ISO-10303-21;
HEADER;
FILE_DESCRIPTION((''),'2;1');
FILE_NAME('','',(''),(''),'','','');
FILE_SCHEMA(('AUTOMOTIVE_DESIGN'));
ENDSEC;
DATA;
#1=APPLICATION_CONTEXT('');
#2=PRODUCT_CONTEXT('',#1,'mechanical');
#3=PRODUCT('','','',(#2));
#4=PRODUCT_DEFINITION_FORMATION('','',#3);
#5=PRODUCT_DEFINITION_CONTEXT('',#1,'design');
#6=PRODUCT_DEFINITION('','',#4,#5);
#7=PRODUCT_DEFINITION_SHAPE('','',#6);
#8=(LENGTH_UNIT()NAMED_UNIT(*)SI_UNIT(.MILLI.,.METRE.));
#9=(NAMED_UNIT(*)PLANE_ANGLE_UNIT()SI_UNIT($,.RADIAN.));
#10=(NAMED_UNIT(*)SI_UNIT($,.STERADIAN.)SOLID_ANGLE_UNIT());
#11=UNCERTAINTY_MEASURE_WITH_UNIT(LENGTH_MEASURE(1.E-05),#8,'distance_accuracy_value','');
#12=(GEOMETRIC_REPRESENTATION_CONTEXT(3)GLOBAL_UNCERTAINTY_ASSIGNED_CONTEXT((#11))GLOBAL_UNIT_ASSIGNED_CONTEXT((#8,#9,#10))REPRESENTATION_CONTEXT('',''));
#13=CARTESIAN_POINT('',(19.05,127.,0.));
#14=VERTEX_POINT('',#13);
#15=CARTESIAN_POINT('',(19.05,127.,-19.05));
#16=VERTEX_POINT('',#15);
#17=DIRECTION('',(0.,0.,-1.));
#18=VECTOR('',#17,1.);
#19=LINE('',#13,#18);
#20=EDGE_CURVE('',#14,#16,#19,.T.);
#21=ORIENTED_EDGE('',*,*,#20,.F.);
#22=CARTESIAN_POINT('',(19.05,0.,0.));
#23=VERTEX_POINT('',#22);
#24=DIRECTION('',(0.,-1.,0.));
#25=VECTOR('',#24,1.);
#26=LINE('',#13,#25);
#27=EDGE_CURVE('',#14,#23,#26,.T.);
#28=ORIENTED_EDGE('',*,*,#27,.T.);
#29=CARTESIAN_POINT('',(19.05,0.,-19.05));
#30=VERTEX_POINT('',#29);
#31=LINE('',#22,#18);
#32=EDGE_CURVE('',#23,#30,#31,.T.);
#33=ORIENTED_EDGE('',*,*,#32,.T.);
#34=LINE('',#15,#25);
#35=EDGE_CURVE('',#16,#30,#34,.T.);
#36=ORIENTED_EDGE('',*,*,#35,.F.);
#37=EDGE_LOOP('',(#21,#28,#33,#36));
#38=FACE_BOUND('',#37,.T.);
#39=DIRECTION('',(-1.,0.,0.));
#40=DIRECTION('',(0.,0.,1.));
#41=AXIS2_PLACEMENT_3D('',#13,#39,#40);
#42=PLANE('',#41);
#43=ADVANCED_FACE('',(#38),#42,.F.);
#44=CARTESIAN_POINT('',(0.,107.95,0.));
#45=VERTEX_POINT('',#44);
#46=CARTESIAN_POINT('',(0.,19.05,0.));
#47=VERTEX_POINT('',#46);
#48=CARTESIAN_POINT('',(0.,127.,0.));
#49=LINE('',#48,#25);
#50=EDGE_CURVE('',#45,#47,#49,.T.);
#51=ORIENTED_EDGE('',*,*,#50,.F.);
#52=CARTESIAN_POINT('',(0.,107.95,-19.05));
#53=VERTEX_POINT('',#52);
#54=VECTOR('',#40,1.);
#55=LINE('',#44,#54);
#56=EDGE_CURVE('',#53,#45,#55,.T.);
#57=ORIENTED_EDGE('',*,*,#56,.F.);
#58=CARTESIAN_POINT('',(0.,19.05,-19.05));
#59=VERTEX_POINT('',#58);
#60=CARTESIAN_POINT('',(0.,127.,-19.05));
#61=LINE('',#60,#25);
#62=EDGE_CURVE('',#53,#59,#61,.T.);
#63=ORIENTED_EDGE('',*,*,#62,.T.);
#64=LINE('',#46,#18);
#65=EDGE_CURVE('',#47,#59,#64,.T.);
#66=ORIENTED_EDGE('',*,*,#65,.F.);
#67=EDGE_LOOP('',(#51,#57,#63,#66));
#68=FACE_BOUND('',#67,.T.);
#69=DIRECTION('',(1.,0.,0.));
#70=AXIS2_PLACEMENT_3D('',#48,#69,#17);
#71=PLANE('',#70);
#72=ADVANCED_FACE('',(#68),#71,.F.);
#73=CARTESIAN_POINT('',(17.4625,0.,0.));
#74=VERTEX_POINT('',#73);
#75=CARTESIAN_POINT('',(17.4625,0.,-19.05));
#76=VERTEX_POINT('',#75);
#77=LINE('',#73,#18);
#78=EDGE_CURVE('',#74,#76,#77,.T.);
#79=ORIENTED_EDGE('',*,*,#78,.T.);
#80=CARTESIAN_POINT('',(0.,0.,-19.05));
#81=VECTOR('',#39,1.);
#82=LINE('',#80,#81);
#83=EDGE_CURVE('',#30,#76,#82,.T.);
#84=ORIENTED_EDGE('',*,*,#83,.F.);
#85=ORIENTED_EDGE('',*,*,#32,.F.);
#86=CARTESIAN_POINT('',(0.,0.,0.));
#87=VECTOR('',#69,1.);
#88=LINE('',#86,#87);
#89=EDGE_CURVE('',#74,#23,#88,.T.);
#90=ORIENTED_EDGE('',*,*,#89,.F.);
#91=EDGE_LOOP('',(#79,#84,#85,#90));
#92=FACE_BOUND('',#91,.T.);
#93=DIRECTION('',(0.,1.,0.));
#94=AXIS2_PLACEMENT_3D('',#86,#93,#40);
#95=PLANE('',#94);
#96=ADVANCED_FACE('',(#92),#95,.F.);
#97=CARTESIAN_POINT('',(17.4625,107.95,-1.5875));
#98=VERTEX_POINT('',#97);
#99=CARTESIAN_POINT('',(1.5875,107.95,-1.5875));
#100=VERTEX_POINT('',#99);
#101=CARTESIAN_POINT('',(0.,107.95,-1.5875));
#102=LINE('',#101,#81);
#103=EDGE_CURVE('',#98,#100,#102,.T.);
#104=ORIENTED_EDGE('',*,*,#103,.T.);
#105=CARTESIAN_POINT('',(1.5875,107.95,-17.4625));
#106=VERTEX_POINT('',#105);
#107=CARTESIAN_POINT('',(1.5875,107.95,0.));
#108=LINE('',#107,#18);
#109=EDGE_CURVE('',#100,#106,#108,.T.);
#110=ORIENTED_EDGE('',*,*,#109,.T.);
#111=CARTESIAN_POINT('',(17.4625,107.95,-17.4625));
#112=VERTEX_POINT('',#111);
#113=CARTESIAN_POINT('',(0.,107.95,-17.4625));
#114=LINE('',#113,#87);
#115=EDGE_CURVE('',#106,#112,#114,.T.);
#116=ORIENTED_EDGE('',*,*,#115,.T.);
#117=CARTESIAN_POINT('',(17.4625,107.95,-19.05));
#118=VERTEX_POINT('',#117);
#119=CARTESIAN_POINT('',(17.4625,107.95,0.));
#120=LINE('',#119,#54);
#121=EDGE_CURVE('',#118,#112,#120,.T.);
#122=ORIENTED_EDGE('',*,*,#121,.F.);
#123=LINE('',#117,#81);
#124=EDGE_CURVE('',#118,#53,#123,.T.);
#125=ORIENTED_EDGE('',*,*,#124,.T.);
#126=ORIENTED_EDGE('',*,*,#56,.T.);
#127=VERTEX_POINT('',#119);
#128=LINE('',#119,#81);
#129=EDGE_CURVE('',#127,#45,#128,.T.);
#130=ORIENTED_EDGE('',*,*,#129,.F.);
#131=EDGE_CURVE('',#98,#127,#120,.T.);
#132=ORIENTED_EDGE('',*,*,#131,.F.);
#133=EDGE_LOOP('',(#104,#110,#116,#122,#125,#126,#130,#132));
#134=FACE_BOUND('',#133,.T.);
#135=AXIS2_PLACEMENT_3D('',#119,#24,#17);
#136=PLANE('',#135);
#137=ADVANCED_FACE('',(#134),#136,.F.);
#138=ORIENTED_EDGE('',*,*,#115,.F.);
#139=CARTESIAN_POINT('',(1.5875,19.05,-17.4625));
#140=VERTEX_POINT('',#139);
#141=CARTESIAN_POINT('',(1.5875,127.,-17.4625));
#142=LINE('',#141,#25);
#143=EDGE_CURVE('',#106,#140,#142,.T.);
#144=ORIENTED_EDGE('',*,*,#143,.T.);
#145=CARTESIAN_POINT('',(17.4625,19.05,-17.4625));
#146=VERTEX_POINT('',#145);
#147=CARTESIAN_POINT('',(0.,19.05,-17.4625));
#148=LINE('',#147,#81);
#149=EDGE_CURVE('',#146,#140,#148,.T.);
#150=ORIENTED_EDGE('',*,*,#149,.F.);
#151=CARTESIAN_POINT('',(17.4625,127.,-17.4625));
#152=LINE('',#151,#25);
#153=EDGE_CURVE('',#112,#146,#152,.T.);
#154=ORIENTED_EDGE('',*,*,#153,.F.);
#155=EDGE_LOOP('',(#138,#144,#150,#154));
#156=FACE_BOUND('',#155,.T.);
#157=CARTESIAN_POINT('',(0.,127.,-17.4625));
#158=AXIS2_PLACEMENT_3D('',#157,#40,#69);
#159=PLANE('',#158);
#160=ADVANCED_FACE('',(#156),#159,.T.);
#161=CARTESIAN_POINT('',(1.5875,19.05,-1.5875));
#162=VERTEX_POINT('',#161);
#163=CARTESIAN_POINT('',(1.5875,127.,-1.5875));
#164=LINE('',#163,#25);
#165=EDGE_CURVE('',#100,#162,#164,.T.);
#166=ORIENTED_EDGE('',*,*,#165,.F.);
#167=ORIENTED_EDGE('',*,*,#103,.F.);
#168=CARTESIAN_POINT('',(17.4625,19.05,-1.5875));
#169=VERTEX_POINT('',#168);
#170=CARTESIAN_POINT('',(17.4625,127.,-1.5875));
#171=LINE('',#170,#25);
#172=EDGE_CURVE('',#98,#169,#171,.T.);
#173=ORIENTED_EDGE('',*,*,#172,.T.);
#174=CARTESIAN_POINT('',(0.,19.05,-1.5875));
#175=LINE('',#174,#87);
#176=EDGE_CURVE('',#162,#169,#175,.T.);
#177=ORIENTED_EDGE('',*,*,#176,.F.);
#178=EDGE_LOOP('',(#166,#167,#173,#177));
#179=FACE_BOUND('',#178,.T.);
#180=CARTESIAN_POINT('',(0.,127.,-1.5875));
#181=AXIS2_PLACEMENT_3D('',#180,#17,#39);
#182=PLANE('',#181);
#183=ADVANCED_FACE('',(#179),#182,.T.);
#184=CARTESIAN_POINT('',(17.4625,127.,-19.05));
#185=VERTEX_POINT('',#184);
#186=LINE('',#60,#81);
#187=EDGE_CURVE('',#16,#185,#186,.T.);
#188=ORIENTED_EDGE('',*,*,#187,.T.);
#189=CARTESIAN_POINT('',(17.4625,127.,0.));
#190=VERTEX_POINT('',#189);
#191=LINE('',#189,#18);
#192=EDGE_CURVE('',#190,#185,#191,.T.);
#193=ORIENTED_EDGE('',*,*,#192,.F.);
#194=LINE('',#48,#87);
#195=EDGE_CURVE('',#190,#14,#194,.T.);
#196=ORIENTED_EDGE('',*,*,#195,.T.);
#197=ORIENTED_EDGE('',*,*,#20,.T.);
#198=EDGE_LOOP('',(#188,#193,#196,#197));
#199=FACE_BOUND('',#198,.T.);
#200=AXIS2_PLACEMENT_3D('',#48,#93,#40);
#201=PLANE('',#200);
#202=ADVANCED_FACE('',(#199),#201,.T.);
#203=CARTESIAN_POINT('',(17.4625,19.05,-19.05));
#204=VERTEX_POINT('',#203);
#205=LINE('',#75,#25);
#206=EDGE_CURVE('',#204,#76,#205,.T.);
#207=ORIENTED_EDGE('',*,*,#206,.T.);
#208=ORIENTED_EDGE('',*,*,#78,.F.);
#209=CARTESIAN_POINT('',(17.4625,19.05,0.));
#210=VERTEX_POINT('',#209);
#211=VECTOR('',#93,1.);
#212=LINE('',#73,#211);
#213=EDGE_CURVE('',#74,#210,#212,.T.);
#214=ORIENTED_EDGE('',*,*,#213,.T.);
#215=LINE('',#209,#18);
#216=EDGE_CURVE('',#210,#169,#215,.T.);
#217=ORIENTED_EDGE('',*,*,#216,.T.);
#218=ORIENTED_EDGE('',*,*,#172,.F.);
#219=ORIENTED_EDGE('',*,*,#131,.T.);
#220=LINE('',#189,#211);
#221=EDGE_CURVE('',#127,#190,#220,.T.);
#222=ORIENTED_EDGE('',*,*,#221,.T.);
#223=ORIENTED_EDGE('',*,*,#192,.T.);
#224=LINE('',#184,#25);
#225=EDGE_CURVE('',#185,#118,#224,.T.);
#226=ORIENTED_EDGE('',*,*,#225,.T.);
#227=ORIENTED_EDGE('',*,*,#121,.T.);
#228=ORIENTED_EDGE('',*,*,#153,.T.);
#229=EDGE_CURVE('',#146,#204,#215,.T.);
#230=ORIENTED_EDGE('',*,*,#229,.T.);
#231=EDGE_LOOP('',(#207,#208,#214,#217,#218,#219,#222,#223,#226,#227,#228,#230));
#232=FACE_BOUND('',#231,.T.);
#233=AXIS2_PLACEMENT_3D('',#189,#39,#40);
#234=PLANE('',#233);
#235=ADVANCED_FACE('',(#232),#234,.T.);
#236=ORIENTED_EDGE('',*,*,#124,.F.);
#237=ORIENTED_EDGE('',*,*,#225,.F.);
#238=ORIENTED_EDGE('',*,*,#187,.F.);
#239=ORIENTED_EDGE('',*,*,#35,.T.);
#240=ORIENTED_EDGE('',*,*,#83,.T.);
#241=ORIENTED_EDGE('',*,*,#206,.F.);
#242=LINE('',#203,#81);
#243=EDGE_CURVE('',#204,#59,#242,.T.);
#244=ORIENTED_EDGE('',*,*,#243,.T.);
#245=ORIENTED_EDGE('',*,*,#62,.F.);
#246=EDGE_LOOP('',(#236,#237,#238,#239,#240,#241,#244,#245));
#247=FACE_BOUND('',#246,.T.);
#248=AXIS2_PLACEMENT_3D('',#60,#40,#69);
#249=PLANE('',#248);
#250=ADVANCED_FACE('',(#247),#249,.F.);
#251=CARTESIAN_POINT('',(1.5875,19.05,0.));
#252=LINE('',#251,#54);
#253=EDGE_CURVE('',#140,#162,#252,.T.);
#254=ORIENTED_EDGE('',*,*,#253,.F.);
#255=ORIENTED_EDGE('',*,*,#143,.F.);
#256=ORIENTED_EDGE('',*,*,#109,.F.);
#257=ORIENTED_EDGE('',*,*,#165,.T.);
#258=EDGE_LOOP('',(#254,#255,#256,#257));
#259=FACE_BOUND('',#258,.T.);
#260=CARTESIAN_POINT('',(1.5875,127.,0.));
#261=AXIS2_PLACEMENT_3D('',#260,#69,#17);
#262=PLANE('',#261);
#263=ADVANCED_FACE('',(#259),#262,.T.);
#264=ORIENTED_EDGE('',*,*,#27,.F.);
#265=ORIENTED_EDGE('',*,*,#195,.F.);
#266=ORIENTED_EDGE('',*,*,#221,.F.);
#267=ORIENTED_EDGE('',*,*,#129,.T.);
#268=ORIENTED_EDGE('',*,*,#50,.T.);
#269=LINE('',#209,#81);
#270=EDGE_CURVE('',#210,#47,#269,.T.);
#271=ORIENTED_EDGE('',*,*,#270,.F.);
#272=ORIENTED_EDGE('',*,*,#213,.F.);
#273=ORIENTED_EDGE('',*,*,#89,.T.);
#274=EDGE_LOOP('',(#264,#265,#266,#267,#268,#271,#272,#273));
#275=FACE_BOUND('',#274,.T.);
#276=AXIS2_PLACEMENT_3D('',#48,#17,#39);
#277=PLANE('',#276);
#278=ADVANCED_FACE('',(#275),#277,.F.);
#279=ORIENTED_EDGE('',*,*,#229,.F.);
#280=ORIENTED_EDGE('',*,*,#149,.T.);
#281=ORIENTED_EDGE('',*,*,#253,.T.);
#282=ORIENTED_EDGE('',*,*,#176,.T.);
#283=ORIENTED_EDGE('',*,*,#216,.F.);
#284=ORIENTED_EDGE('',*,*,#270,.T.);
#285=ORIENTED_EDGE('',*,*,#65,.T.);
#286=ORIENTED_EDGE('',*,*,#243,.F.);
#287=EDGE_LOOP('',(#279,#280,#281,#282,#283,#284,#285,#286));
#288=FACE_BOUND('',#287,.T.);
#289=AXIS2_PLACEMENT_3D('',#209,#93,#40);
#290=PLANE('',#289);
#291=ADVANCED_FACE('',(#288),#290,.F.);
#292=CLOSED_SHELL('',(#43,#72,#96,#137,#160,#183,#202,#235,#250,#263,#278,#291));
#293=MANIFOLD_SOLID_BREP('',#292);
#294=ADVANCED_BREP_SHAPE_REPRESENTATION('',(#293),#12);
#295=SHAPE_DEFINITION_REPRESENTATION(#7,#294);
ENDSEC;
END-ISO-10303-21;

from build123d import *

# Parameters (mm, degrees)
SKETCH1_W           = 19.05
SKETCH1_H           = 19.05
SKETCH1_W_2         = 15.875
SKETCH1_H_2         = 15.875
EXTRUDE_THIN1_DEPTH = 127
SKETCH2_W           = 19.05
SKETCH2_H           = 19.05
CUT_EXTRUDE1_DEPTH  = 17.4625
SKETCH3_W           = 19.05
SKETCH3_H           = 19.05
CUT_EXTRUDE2_DEPTH  = 17.4625


with BuildPart() as part:
    # Sketch1 → Extrude-Thin1 (new body)
    with BuildSketch(Plane(origin=(0, 0, 0), x_dir=(1, 0, 0), z_dir=(0, 1, 0))):
        with Locations((9.525, 9.525)):
            Rectangle(SKETCH1_W, SKETCH1_H)
        with Locations((9.525, 9.525)):
            Rectangle(SKETCH1_W_2, SKETCH1_H_2, mode=Mode.SUBTRACT)
    extrude(amount=EXTRUDE_THIN1_DEPTH)

    # Sketch2 → Cut-Extrude1 (cut)
    with BuildSketch(Plane.ZY):
        with Locations((-9.525, 9.525)):
            Rectangle(SKETCH2_W, SKETCH2_H)
    extrude(amount=-CUT_EXTRUDE1_DEPTH, mode=Mode.SUBTRACT)

    # Sketch3 → Cut-Extrude2 (cut)
    with BuildSketch(Plane.ZY):
        with Locations((-9.525, 117.475)):
            Rectangle(SKETCH3_W, SKETCH3_H)
    extrude(amount=-CUT_EXTRUDE2_DEPTH, mode=Mode.SUBTRACT)


solid = part.part
